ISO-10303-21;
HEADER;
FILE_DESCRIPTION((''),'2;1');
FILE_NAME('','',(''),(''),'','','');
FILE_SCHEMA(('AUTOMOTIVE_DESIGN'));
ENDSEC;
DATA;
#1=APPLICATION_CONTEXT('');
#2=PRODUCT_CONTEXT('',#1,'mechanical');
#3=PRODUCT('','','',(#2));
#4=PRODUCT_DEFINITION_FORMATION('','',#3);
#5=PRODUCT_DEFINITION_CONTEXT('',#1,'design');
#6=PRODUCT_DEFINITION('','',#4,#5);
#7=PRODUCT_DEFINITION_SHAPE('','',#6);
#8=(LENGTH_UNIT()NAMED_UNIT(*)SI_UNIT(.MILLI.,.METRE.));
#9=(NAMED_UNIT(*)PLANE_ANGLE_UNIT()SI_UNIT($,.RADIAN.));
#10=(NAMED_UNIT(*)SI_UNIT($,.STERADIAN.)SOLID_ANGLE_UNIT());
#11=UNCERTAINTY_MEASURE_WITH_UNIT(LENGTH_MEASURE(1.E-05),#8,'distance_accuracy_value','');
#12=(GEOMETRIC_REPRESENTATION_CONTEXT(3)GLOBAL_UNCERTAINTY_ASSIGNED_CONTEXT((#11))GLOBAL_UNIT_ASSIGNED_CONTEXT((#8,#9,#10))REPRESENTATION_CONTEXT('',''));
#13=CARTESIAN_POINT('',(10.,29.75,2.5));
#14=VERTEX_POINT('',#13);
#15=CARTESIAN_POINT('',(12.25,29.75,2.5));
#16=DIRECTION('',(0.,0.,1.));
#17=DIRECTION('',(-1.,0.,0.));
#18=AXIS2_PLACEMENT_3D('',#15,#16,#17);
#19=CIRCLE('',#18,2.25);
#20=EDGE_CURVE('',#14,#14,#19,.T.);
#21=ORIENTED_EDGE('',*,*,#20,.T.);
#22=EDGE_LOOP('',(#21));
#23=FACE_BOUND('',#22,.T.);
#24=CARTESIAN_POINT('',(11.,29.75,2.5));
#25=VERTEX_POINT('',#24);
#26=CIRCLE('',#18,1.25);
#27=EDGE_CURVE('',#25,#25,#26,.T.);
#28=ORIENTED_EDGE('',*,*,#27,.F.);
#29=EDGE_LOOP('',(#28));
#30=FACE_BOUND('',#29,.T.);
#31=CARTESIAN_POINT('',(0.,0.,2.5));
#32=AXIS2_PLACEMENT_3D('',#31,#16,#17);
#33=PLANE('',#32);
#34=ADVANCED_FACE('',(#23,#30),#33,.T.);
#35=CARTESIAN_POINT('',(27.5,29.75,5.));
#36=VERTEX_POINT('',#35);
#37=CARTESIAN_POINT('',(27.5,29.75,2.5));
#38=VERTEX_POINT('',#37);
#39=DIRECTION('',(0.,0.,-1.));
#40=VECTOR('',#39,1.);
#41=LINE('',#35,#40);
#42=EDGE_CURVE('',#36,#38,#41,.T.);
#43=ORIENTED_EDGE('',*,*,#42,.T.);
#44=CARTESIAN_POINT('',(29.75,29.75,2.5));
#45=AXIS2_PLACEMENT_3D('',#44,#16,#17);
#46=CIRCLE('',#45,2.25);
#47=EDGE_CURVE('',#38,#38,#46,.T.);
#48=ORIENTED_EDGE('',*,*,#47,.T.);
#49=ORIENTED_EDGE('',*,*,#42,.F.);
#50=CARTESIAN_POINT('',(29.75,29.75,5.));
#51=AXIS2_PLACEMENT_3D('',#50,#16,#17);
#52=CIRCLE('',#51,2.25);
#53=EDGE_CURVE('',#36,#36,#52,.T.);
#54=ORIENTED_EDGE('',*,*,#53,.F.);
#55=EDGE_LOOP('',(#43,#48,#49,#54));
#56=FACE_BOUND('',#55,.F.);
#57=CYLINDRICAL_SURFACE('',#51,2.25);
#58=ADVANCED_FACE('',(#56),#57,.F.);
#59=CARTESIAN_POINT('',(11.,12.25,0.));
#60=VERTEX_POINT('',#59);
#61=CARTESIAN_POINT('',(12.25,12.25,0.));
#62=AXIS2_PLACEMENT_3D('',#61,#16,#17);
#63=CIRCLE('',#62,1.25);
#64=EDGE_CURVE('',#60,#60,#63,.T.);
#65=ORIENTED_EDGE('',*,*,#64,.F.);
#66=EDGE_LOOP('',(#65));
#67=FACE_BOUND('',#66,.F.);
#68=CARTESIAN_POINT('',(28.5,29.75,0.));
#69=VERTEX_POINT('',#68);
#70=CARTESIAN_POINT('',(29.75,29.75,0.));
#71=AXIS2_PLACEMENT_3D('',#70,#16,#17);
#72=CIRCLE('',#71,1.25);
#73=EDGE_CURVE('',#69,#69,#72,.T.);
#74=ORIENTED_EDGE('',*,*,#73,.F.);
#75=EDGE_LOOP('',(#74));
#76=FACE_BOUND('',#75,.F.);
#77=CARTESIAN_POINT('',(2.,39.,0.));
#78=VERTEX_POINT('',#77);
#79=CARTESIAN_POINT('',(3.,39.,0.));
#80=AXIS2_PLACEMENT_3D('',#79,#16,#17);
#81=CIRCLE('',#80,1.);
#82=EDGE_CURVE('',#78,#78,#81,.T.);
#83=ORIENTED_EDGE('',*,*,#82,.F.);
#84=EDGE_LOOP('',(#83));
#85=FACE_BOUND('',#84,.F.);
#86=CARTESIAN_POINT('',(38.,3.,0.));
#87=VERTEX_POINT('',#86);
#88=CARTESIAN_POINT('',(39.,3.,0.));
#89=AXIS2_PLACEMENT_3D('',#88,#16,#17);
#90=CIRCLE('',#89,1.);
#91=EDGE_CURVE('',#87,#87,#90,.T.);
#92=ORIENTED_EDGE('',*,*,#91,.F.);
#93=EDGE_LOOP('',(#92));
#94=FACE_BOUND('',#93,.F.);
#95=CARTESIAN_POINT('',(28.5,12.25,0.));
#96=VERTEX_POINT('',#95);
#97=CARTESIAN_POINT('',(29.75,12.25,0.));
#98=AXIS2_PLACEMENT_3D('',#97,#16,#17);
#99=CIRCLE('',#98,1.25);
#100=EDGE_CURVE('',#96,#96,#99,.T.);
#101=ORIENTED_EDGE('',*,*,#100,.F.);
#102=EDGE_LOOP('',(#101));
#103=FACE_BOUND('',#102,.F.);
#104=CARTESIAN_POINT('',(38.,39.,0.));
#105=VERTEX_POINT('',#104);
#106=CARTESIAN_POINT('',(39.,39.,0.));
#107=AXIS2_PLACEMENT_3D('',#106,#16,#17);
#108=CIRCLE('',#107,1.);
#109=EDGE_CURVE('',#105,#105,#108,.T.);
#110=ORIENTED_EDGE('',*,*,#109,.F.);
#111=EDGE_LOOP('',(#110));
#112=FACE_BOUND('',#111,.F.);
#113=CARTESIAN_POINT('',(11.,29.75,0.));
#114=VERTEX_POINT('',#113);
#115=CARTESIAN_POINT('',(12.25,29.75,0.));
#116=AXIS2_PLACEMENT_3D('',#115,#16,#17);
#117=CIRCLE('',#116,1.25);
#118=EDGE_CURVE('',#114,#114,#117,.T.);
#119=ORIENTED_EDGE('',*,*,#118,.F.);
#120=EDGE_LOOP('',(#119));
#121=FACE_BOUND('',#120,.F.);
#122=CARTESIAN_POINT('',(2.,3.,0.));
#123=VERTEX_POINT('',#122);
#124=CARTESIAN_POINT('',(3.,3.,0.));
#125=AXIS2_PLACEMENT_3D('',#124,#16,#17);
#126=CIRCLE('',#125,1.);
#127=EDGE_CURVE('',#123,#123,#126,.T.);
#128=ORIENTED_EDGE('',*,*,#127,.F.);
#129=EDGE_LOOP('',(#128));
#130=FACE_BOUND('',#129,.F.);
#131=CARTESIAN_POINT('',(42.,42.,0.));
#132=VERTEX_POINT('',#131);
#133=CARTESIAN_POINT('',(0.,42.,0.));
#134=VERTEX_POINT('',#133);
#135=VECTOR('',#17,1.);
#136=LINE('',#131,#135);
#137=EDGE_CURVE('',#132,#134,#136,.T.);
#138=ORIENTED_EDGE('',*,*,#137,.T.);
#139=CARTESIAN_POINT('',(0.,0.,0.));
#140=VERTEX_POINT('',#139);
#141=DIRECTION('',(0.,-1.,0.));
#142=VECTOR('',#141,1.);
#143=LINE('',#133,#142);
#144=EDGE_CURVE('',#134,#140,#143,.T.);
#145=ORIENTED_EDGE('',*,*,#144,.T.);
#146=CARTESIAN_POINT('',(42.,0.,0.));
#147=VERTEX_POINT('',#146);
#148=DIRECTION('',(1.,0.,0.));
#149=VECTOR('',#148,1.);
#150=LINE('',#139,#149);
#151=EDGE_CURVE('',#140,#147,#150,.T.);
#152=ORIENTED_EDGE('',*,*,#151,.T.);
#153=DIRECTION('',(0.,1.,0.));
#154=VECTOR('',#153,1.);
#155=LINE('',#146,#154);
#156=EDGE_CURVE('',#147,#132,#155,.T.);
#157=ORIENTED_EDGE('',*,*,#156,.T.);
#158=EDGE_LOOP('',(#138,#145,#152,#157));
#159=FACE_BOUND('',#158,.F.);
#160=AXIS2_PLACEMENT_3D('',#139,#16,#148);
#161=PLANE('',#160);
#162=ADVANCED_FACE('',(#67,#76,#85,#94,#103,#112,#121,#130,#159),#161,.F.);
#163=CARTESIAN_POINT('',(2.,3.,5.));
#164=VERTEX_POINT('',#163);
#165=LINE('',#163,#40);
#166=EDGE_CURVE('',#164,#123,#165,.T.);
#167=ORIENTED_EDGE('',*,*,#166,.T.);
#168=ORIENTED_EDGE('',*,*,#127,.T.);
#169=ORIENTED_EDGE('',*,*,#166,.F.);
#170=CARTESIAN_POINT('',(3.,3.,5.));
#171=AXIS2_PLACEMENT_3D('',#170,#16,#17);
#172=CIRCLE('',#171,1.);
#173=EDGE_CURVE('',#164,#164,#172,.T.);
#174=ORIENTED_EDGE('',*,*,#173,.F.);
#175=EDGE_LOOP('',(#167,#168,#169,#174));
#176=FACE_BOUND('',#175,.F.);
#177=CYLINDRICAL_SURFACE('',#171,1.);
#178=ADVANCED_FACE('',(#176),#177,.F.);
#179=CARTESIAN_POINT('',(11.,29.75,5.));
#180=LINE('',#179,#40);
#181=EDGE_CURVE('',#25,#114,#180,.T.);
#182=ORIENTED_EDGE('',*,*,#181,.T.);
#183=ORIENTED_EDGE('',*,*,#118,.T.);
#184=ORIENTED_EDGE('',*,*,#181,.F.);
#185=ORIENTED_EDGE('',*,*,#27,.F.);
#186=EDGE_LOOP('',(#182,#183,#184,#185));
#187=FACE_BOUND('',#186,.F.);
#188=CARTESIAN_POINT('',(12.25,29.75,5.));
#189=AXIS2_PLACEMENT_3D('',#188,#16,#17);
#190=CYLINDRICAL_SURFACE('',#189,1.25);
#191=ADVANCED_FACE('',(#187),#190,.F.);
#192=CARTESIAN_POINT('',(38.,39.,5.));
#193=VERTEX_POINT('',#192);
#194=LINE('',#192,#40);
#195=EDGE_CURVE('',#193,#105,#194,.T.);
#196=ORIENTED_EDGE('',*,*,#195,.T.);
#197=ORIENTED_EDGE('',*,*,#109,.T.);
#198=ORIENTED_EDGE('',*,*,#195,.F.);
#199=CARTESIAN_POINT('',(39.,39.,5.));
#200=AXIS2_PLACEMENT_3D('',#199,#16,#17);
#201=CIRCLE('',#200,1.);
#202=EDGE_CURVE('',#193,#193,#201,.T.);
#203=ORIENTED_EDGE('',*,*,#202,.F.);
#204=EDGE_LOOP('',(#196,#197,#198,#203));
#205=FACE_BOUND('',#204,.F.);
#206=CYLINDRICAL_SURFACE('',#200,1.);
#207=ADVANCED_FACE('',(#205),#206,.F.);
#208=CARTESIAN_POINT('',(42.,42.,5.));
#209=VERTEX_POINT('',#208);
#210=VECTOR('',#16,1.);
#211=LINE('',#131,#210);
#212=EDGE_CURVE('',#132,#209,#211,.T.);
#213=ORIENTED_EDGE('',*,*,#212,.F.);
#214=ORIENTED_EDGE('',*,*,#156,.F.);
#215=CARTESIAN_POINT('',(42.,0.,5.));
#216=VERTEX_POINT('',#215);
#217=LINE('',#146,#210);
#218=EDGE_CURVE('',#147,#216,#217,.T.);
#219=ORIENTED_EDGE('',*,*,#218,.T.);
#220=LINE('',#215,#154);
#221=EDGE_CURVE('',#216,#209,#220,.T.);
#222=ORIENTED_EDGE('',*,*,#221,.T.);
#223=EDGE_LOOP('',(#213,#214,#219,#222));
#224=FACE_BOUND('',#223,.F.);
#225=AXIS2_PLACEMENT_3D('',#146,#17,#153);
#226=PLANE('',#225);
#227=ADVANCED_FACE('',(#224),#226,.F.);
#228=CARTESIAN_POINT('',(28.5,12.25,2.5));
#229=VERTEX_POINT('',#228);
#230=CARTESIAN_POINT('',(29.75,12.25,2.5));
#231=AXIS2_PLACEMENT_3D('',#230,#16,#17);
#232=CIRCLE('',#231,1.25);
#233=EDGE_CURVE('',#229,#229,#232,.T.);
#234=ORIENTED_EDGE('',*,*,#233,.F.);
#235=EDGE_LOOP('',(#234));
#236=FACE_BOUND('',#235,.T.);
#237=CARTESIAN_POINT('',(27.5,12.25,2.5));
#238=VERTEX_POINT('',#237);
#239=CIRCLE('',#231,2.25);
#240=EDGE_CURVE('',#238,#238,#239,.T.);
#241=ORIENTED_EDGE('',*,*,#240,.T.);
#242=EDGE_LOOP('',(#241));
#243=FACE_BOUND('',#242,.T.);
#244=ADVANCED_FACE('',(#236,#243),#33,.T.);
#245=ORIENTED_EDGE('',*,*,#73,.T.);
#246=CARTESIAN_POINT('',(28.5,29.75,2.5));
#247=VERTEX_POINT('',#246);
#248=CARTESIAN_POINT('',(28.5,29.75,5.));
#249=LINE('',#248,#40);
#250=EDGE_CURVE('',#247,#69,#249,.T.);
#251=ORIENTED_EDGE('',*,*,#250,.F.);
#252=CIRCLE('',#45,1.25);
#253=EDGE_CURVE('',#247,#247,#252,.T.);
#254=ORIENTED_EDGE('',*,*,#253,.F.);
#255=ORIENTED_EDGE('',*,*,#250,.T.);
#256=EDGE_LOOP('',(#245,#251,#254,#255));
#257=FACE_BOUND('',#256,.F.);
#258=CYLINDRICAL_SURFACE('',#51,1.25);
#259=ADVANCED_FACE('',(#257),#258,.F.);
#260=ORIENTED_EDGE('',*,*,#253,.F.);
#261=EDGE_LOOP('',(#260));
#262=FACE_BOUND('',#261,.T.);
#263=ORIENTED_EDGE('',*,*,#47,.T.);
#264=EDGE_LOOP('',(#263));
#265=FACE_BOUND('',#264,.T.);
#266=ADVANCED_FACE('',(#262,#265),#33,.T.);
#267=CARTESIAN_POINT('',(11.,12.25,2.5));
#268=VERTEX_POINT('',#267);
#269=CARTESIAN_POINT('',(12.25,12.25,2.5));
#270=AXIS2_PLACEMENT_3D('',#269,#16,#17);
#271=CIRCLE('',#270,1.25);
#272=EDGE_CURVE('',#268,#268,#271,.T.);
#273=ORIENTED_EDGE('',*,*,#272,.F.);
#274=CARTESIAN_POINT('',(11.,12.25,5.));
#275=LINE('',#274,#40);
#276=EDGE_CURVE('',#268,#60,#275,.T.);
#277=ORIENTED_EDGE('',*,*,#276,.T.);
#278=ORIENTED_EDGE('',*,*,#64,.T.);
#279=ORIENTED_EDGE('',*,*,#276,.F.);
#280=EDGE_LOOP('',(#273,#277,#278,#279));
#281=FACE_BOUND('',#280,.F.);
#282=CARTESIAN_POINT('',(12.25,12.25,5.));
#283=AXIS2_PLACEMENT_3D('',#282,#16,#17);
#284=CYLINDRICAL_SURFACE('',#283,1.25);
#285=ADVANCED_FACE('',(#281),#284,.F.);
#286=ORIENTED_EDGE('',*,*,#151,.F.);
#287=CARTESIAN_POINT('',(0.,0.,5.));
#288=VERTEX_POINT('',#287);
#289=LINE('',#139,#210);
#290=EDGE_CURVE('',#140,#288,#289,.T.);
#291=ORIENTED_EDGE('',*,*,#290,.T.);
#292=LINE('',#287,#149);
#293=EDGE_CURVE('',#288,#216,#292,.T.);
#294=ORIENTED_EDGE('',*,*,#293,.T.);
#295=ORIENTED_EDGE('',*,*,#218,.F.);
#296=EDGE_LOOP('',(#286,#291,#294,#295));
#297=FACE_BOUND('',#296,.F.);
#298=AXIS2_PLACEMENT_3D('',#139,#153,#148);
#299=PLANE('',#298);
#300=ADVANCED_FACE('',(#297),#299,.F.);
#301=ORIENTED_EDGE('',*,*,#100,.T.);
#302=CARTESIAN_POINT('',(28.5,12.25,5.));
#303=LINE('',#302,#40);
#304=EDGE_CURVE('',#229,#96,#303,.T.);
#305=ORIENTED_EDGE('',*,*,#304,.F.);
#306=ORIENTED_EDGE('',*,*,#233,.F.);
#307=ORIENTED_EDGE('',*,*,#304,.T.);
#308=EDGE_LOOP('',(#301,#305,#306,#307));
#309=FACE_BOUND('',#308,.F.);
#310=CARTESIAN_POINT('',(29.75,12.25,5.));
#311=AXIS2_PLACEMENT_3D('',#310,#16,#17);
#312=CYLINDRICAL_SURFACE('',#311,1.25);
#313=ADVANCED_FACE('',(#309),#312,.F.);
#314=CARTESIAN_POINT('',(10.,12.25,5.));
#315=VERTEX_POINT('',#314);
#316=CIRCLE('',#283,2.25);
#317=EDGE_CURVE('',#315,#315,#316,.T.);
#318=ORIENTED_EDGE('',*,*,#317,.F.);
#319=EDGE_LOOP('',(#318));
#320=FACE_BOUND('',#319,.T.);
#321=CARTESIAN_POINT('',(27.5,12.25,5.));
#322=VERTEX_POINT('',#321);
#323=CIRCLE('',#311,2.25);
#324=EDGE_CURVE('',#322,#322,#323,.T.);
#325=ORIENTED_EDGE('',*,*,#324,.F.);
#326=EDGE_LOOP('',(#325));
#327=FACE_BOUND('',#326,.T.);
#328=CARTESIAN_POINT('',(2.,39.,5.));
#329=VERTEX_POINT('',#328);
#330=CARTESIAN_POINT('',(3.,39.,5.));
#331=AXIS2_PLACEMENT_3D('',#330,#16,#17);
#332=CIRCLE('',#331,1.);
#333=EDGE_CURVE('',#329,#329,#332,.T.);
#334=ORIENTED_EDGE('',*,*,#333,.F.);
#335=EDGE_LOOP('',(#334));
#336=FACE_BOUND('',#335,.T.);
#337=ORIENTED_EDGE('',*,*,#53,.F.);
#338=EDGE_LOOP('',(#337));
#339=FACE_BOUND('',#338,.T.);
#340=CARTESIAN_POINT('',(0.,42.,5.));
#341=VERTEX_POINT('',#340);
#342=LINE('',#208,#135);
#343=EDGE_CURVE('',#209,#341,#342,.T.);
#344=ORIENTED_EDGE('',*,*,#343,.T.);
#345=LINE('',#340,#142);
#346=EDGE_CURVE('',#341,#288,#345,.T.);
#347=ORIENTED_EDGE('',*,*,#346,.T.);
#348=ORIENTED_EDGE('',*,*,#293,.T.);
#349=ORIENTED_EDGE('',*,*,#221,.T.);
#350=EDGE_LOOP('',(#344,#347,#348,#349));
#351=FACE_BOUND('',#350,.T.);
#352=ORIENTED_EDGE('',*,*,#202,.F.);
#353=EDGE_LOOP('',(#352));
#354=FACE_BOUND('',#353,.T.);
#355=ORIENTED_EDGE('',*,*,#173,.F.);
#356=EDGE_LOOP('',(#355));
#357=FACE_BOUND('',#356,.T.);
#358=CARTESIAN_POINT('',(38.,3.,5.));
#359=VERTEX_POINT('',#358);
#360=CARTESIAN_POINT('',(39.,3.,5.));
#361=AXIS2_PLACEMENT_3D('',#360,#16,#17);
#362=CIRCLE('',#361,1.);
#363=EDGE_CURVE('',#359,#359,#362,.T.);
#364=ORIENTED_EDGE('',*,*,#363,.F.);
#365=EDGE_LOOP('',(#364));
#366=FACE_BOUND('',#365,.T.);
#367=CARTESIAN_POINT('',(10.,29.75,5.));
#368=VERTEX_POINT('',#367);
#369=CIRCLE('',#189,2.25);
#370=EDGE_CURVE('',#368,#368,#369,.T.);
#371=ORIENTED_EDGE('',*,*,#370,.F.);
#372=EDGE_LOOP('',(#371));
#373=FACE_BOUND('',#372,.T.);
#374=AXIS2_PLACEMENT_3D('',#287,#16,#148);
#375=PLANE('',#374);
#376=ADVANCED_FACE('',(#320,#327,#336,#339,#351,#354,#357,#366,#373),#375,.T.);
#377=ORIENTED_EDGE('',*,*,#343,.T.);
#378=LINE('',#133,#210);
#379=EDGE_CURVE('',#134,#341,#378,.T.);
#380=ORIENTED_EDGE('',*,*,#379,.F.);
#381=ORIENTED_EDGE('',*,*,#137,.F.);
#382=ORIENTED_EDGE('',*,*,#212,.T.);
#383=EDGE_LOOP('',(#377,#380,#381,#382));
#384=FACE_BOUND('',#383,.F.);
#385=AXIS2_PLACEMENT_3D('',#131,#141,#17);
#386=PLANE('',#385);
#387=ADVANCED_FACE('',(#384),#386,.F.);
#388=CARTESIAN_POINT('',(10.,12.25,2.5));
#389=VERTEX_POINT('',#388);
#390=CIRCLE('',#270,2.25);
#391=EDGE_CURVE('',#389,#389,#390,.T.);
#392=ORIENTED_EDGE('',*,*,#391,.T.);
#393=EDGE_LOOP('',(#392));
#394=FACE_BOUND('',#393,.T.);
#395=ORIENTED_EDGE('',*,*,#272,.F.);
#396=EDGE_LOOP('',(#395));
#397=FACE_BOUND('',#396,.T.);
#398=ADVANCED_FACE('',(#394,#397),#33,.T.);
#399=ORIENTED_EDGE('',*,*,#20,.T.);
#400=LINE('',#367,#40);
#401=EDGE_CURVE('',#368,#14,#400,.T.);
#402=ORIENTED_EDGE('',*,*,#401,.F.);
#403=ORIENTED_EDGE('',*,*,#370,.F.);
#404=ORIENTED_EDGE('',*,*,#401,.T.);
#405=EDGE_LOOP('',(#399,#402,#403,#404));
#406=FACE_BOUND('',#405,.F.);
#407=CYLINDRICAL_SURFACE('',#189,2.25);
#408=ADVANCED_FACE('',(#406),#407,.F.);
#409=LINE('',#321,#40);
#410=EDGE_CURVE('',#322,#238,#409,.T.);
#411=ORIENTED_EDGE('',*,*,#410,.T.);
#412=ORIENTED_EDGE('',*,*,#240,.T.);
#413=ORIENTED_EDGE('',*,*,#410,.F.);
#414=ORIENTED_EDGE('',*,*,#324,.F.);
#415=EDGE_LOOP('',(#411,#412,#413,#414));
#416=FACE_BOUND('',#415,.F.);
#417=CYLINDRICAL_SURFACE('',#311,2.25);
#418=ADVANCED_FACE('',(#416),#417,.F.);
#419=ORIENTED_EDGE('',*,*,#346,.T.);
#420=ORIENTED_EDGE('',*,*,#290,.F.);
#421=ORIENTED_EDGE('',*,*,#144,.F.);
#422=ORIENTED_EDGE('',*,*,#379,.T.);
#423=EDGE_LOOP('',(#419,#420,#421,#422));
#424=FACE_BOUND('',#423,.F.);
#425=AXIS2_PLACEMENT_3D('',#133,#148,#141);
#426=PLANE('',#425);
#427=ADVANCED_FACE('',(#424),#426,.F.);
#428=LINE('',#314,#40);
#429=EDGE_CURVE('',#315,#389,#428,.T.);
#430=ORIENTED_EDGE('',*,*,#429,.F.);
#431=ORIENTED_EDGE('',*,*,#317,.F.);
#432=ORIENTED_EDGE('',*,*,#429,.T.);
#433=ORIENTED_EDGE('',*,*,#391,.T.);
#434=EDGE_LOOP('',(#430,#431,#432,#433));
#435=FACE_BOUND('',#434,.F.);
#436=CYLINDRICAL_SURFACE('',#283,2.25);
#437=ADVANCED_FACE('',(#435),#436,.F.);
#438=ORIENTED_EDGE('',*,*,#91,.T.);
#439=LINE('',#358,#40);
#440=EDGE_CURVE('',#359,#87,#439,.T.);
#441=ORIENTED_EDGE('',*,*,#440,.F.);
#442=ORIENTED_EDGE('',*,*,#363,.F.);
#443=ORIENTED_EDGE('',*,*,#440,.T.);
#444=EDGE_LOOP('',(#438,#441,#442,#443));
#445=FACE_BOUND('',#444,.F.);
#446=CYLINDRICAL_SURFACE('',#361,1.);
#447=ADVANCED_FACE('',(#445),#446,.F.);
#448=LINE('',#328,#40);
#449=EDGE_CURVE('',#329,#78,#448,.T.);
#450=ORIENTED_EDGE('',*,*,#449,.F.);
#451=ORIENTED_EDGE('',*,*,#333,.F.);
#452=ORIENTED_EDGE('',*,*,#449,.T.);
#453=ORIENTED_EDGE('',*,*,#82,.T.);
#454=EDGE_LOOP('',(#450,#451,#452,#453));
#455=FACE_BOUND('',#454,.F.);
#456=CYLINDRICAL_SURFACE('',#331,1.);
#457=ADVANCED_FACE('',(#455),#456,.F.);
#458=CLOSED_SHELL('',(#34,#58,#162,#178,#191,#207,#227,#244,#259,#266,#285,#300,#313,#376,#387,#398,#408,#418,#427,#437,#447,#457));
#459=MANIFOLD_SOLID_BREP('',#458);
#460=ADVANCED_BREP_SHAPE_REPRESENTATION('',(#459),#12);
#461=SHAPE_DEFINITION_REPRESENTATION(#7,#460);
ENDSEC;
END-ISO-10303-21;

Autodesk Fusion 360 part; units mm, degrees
sketch "Base" plane through (0, 0, 0) normal (0, 0, 1) x (1, 0, 0)
  line L0 (0, 0) -> (42, 0)
  line L1 (42, 0) -> (42, 42)
  line L2 (42, 42) -> (0, 42)
  line L3 (0, 42) -> (0, 0)
  dimension "d1" = 42
  dimension "d2" = 42
extrude "Extrude1" add sketch "Base" along normal blind 5
sketch "Mount holes" plane through (0, 0, 5) normal (0, 0, 1) x (-1, 0, 0)
  line L0 (0, -42) -> (0, 0)
  line L1 (0, 0) -> (-42, 0)
  line L2 (-42, 0) -> (-42, -42)
  line L3 (-42, -42) -> (0, -42)
  circle A0 centre (-3, -39) radius 1
  circle A1 centre (-39, -39) radius 1
  circle A2 centre (-3, -3) radius 1
  circle A3 centre (-39, -3) radius 1
  dimension "d8" = 2
  dimension "d9" = 3
  dimension "d10" = 3
  dimension "d11" = 2
  dimension "d12" = 3
  dimension "d13" = 3
  dimension "d14" = 2
  dimension "d15" = 3
  dimension "d16" = 3
  dimension "d17" = 2
  dimension "d18" = 3
  dimension "d19" = 3
extrude "Extrude2" cut sketch "Mount holes" against normal blind 5 contours A0 | A1 | A2 | A3
sketch "Motor holes" plane through (0, 0, 5) normal (0, 0, 1) x (-1, 0, 0)
  circle A0 centre (-39, -39) radius 1
  circle A1 centre (-3, -3) radius 1
  circle A2 centre (-3, -39) radius 1
  circle A3 centre (-39, -3) radius 1
  line L0 (0, -42) -> (0, 0)
  line L1 (0, 0) -> (-42, 0)
  line L2 (-42, 0) -> (-42, -42)
  line L3 (-42, -42) -> (0, -42)
  circle A4 centre (-12.25, -29.75) radius 1.25
  circle A5 centre (-29.75, -29.75) radius 1.25
  circle A6 centre (-12.25, -12.25) radius 1.25
  circle A7 centre (-29.75, -12.25) radius 1.25
  dimension "d22" = 2.5
  dimension "d23" = 2.5
  dimension "d25" = 12.25
  dimension "d27" = 2.5
  dimension "d28" = 2.5
  dimension "d30" = 12.25
  dimension "d31" = 12.25
  dimension "d32" = 12.25
  dimension "d33" = 12.25
  dimension "d34" = 12.25
  dimension "d35" = 12.25
  dimension "d36" = 12.25
extrude "Extrude3" cut sketch "Motor holes" against normal blind 5 contours A4 | A5 | A6 | A7
sketch "Fillets" plane through (0, 0, 5) normal (0, 0, 1) x (-1, 0, 0)
  circle A0 centre (-29.75, -29.75) radius 1.25
  circle A1 centre (-12.25, -12.25) radius 1.25
  circle A2 centre (-12.25, -29.75) radius 1.25
  circle A3 centre (-29.75, -12.25) radius 1.25
  circle A4 centre (-39, -39) radius 1
  circle A5 centre (-3, -3) radius 1
  circle A6 centre (-3, -39) radius 1
  circle A7 centre (-39, -3) radius 1
  line L0 (0, -42) -> (0, 0)
  line L1 (0, 0) -> (-42, 0)
  line L2 (-42, 0) -> (-42, -42)
  line L3 (-42, -42) -> (0, -42)
  circle A8 centre (-12.25, -29.75) radius 2.25
  circle A9 centre (-29.75, -29.75) radius 2.25
  circle A10 centre (-12.25, -12.25) radius 2.25
  circle A11 centre (-29.75, -12.25) radius 2.25
  dimension "d39" = 4.5
  dimension "d40" = 4.5
  dimension "d41" = 4.5
  dimension "d42" = 4.5
extrude "Extrude4" cut sketch "Fillets" against normal blind 2.5 contours A8 | A9 | A10 | A11
